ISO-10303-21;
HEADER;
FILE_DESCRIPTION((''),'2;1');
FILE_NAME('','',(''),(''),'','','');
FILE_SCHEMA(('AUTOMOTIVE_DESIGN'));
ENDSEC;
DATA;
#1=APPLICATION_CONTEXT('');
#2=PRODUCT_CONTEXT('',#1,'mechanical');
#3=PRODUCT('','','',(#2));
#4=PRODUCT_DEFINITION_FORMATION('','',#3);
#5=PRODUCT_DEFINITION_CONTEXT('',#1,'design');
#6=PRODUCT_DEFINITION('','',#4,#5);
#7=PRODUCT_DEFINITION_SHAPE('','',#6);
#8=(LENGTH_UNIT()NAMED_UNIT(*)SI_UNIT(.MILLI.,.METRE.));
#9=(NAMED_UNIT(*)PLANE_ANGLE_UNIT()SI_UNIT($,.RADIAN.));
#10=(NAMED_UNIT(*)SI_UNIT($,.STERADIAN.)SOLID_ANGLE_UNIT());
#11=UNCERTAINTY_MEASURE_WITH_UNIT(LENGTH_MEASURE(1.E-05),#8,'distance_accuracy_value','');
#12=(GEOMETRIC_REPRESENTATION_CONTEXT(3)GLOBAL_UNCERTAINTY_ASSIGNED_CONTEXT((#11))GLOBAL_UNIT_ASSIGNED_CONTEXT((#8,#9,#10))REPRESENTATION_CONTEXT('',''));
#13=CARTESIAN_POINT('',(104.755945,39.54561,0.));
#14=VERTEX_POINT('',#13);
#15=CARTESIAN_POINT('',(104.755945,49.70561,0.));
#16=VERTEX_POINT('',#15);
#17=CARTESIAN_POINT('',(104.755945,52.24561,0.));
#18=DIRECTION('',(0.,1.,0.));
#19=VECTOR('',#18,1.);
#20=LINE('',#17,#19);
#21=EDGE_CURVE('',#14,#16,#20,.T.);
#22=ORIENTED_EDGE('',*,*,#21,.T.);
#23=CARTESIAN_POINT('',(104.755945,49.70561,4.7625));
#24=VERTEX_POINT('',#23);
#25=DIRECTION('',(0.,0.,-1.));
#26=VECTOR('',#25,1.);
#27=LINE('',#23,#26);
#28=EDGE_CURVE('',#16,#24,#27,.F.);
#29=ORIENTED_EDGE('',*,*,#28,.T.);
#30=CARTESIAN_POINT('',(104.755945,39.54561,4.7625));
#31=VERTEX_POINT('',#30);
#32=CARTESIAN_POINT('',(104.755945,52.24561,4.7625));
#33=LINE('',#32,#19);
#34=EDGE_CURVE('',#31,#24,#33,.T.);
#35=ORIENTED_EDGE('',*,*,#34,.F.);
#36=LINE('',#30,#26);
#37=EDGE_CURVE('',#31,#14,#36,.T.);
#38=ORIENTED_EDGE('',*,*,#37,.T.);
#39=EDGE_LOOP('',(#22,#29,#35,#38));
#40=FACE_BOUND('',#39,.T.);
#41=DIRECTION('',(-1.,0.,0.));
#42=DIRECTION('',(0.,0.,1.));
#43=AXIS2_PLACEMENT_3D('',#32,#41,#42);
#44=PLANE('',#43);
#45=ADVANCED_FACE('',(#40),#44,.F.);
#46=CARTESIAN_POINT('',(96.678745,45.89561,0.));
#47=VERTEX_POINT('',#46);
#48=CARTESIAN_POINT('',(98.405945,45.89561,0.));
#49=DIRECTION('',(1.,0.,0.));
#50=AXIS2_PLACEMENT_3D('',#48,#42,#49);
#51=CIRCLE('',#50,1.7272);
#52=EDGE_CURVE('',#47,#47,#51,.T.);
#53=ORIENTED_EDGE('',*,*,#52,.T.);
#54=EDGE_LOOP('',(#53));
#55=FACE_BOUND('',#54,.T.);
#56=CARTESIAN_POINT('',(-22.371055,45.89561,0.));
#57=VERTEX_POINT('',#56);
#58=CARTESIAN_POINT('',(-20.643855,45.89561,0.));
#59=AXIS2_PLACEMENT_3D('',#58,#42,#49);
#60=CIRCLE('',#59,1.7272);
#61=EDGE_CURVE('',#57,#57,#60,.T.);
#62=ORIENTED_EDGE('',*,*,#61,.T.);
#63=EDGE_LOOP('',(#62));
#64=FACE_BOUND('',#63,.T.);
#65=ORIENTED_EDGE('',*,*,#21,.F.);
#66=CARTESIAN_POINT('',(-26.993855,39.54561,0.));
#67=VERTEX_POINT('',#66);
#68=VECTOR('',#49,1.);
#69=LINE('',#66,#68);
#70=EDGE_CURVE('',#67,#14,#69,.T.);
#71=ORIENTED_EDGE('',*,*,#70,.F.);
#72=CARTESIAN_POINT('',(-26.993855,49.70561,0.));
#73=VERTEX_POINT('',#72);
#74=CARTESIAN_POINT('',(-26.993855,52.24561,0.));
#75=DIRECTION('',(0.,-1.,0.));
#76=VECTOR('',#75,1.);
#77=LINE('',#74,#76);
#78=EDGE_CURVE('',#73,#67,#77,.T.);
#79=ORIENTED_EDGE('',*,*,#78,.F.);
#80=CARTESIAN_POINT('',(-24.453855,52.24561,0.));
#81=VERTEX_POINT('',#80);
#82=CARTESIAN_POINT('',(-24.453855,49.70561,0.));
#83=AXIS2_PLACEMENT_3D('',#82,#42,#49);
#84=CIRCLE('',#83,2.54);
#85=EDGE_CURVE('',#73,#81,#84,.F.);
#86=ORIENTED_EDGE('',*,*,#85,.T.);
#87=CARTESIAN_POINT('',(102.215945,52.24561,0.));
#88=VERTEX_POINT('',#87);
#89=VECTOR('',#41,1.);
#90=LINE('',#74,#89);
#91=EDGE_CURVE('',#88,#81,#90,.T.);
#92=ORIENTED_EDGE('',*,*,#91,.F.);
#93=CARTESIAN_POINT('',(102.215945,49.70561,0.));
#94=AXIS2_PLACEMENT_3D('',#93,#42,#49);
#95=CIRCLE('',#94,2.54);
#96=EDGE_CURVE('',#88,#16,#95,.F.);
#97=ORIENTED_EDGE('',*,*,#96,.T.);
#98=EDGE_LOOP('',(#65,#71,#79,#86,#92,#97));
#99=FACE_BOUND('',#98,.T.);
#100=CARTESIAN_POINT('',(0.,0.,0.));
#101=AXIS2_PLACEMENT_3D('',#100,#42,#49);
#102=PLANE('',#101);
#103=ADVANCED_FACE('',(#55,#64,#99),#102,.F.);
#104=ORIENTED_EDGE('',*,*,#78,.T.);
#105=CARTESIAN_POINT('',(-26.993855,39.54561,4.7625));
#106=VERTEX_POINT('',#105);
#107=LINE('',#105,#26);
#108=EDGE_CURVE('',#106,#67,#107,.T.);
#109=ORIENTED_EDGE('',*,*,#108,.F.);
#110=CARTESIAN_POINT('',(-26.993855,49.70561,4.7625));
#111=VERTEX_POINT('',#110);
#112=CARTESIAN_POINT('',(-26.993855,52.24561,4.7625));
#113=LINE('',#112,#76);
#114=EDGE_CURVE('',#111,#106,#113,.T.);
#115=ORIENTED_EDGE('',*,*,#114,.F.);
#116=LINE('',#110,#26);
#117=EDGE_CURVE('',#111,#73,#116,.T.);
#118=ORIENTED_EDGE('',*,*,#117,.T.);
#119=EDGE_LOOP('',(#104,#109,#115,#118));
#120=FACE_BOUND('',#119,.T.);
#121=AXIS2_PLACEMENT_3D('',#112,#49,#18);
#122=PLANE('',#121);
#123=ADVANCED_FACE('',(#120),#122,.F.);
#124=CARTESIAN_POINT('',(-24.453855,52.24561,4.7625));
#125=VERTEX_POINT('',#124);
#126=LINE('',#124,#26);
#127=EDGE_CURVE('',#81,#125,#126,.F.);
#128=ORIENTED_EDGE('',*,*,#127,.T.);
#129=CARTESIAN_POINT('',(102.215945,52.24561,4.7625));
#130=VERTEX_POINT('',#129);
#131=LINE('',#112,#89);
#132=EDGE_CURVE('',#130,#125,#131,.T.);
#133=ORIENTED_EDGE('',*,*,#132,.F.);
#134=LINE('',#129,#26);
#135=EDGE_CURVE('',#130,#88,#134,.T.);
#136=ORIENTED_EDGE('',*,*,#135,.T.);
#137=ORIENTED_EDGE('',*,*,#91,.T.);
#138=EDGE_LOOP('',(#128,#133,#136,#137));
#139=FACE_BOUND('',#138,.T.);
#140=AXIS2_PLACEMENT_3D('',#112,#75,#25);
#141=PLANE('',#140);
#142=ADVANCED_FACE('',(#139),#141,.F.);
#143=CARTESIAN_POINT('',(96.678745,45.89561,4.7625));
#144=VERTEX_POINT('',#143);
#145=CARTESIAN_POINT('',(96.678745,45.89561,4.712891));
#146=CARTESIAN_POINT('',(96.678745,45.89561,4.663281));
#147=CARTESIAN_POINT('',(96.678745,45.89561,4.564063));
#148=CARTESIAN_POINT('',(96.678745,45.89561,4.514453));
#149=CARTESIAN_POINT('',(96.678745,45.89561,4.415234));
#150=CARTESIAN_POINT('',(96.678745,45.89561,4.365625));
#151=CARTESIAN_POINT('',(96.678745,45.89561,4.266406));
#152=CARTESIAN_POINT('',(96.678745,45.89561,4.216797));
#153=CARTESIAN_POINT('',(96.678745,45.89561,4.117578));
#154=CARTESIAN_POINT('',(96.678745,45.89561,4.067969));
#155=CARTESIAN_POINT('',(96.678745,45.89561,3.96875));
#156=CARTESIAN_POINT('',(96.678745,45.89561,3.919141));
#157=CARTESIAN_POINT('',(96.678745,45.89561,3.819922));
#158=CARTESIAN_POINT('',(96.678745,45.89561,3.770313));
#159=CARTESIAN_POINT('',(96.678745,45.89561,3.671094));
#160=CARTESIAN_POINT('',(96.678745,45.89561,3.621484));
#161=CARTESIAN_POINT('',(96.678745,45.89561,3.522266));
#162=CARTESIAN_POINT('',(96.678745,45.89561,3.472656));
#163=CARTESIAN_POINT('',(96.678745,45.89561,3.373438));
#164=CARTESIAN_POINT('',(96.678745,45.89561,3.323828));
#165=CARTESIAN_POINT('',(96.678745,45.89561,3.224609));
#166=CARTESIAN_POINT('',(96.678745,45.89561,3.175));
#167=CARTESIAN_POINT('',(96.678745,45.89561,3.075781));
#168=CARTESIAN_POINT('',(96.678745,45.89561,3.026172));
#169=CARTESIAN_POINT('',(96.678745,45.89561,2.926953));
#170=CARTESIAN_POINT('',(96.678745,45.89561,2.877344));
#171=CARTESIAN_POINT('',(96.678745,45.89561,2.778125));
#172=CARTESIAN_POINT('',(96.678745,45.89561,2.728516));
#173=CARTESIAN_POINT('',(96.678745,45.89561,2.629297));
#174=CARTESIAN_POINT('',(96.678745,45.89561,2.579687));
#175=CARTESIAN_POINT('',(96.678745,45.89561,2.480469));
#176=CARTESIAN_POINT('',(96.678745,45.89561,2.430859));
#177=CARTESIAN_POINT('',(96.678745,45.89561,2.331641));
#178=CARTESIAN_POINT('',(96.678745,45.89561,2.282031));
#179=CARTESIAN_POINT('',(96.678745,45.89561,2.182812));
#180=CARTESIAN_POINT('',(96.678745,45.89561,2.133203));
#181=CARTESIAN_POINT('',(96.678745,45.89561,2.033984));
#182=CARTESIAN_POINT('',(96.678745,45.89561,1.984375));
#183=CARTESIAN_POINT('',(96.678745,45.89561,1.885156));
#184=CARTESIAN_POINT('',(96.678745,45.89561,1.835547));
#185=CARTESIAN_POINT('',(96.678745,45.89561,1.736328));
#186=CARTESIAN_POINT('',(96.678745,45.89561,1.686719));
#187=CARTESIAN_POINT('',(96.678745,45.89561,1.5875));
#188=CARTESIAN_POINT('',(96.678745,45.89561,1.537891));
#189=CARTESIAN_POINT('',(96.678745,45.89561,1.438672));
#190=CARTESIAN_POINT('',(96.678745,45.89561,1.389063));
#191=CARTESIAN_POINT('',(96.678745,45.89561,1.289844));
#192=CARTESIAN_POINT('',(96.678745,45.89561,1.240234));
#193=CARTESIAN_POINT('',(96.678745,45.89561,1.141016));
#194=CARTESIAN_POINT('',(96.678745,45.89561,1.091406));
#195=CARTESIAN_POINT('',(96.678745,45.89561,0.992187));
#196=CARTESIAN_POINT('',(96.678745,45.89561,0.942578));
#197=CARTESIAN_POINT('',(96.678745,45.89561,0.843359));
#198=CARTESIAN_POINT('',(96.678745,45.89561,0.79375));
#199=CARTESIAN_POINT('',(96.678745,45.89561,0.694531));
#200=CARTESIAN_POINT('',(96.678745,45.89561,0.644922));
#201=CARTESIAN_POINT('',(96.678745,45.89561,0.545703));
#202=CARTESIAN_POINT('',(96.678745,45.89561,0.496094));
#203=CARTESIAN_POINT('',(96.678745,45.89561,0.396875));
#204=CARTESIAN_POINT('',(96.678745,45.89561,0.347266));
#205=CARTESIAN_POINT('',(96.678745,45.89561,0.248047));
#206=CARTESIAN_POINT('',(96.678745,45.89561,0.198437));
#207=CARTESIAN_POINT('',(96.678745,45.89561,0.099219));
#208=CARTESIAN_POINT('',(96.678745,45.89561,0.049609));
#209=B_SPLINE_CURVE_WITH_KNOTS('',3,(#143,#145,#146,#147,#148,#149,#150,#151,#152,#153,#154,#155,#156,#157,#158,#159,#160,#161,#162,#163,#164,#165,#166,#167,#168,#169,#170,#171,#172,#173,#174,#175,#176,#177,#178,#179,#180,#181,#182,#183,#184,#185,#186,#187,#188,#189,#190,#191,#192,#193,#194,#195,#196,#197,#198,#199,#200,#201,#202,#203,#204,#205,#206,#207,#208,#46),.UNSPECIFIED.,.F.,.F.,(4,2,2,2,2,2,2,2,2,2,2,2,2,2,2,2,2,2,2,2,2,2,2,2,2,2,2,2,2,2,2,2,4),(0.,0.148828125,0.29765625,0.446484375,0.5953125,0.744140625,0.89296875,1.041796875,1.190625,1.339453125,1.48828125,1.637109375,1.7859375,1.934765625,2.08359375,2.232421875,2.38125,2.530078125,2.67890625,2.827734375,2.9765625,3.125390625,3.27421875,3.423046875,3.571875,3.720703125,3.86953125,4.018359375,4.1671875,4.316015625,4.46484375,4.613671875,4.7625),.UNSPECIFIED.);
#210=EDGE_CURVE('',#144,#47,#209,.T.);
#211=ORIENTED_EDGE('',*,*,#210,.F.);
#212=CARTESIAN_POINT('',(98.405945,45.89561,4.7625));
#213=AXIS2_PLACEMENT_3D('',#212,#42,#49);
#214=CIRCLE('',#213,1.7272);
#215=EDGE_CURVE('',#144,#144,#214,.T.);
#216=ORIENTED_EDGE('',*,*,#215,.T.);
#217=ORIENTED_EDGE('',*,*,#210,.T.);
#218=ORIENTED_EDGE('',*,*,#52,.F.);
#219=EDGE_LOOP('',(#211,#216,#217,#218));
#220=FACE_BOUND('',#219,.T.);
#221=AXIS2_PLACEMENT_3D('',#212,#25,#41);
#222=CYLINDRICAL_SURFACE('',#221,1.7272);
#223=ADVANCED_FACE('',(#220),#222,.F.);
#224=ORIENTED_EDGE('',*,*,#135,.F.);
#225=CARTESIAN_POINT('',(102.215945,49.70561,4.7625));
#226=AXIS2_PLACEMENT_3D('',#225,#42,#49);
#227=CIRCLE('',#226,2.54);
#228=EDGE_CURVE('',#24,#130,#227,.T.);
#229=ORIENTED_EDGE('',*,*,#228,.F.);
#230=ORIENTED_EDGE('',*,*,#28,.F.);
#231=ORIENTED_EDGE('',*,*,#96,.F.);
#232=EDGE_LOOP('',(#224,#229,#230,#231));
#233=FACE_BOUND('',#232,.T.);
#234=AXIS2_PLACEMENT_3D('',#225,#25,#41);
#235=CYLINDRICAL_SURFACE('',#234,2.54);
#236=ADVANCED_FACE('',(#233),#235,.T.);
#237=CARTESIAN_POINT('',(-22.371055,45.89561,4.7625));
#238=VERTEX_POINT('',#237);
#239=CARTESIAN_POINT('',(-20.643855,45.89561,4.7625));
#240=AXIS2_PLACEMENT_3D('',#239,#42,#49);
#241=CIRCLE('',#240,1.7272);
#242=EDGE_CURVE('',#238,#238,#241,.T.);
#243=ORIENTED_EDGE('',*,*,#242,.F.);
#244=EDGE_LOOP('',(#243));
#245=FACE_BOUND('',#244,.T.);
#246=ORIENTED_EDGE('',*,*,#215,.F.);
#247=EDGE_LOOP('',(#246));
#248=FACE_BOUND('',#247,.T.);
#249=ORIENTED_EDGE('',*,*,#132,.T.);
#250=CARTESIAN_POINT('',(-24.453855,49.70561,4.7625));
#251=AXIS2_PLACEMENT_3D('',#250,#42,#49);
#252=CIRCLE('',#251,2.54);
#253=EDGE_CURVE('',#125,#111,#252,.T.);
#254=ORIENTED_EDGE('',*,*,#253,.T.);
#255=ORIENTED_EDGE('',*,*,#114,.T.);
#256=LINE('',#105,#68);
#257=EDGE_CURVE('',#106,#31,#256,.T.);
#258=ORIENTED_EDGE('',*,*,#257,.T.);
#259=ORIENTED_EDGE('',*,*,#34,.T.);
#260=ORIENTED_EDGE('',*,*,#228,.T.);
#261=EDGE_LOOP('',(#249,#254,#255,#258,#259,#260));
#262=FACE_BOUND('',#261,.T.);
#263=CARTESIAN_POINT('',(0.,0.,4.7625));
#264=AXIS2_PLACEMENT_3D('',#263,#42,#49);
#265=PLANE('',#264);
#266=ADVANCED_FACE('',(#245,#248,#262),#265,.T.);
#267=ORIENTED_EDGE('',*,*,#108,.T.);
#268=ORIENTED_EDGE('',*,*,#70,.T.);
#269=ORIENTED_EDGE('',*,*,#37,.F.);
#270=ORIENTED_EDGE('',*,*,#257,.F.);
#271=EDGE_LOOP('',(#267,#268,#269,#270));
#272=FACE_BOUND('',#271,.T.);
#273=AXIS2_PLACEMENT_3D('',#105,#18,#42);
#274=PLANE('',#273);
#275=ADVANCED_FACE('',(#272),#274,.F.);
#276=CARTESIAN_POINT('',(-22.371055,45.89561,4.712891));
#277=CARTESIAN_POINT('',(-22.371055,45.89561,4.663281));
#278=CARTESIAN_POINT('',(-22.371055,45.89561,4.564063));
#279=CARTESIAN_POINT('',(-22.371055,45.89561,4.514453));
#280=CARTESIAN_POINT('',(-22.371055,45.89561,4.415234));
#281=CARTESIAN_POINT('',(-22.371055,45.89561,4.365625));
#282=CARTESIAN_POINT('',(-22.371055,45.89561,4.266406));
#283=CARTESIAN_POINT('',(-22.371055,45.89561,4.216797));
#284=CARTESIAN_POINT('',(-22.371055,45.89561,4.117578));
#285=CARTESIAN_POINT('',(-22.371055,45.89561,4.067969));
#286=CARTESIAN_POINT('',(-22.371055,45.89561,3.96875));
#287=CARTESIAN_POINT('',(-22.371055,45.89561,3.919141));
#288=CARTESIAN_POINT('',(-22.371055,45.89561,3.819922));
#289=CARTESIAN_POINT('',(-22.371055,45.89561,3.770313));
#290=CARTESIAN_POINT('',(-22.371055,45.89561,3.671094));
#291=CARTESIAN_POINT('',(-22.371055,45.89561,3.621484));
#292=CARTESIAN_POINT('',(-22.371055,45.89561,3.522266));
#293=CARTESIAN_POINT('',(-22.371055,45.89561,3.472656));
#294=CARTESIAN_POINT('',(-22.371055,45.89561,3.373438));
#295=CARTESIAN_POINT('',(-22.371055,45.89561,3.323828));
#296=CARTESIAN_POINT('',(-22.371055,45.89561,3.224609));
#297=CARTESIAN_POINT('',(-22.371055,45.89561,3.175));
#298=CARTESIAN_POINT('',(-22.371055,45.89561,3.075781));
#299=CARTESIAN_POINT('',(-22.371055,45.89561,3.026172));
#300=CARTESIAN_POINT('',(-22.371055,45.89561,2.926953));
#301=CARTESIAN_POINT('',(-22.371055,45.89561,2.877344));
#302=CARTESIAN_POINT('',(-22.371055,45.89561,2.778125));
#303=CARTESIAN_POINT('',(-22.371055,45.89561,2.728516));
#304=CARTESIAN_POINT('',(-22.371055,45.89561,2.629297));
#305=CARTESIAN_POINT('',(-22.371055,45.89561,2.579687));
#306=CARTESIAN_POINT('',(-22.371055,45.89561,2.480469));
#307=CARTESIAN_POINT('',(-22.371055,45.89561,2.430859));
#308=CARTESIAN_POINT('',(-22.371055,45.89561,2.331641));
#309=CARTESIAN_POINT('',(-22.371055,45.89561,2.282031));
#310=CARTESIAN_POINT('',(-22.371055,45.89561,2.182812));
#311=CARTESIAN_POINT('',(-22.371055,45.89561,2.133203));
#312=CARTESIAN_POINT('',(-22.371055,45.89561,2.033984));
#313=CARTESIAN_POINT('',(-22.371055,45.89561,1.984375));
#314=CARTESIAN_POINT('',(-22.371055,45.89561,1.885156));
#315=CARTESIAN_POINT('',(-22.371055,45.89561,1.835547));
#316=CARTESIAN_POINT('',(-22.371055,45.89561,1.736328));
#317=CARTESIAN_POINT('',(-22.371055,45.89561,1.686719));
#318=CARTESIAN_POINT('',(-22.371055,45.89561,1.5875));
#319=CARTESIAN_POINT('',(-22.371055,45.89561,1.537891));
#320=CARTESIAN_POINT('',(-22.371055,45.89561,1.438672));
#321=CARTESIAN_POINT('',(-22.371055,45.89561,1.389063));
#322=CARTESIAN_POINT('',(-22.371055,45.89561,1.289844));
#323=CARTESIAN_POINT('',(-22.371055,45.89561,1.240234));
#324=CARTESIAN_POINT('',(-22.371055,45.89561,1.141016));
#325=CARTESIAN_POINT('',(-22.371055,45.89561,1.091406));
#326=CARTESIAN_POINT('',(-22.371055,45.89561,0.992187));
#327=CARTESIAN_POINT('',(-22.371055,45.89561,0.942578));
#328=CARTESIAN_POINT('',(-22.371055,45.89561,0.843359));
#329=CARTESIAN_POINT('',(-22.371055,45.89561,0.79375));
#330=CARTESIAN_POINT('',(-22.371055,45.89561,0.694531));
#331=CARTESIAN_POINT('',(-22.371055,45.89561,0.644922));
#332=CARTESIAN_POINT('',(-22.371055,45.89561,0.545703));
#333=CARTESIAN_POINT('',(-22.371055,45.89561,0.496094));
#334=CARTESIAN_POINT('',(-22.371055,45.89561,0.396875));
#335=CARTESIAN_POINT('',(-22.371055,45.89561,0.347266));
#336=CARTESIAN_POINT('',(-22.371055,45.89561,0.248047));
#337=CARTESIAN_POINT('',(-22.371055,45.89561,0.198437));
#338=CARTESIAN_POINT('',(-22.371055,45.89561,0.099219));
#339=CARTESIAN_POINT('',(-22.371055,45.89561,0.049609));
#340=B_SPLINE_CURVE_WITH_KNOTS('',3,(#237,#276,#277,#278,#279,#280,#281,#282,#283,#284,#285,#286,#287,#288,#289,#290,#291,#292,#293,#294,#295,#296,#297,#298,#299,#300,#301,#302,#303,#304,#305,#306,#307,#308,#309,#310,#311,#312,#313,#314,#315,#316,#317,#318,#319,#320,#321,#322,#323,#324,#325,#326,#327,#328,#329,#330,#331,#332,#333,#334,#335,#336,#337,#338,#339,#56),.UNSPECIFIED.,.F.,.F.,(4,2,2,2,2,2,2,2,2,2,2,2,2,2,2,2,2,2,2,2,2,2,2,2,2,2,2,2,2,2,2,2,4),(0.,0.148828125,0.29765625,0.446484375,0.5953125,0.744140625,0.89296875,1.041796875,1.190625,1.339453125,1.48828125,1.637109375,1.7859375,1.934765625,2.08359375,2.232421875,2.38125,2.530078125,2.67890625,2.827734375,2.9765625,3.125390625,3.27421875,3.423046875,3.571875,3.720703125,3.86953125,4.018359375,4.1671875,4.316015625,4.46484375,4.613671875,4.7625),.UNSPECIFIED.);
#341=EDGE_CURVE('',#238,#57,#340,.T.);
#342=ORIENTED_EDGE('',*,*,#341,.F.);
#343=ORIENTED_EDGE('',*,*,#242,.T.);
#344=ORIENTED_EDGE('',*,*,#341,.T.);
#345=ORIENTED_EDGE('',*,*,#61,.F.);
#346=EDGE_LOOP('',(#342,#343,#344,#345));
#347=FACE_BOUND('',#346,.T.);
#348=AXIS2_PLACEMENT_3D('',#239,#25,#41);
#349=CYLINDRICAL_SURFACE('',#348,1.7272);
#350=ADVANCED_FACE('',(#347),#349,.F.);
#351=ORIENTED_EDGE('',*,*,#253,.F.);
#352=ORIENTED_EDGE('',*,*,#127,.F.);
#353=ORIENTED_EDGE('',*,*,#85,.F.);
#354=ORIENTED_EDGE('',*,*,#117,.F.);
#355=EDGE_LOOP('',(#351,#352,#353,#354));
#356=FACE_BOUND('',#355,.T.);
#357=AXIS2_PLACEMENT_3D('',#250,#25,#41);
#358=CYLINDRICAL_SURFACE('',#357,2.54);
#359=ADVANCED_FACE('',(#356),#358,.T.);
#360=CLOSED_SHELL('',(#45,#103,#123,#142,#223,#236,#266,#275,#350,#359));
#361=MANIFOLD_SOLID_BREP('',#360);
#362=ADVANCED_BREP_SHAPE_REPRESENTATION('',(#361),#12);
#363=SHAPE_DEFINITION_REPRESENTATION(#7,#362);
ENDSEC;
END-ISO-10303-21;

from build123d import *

# Parameters (mm, degrees)
SKETCH1_W           = 131.7498
SKETCH1_H           = 12.7
SKETCH1_R           = 1.7272
BOSS_EXTRUDE1_DEPTH = 4.7625
FILLET1_R           = 2.54


with BuildPart() as part:
    # Sketch1 → Boss-Extrude1 (new body)
    with BuildSketch(Plane.XY):
        with Locations((38.881044974, 45.895610345)):
            Rectangle(SKETCH1_W, SKETCH1_H)
        with Locations(Location((-20.643855026, 45.895610345, 0), (0, 0, 180))):
            Circle(SKETCH1_R, mode=Mode.SUBTRACT)
        with Locations(Location((98.405944974, 45.895610345, 0), (0, 0, 180))):
            Circle(SKETCH1_R, mode=Mode.SUBTRACT)
    extrude(amount=BOSS_EXTRUDE1_DEPTH)

    # Fillet1
    fillet1_edges = [part.edges().sort_by_distance(p)[0] for p in [
        (-26.993855026, 52.245610345, 2.38125),
        (104.755944974, 52.245610345, 2.38125),
    ]]
    fillet(fillet1_edges, radius=FILLET1_R)


solid = part.part
